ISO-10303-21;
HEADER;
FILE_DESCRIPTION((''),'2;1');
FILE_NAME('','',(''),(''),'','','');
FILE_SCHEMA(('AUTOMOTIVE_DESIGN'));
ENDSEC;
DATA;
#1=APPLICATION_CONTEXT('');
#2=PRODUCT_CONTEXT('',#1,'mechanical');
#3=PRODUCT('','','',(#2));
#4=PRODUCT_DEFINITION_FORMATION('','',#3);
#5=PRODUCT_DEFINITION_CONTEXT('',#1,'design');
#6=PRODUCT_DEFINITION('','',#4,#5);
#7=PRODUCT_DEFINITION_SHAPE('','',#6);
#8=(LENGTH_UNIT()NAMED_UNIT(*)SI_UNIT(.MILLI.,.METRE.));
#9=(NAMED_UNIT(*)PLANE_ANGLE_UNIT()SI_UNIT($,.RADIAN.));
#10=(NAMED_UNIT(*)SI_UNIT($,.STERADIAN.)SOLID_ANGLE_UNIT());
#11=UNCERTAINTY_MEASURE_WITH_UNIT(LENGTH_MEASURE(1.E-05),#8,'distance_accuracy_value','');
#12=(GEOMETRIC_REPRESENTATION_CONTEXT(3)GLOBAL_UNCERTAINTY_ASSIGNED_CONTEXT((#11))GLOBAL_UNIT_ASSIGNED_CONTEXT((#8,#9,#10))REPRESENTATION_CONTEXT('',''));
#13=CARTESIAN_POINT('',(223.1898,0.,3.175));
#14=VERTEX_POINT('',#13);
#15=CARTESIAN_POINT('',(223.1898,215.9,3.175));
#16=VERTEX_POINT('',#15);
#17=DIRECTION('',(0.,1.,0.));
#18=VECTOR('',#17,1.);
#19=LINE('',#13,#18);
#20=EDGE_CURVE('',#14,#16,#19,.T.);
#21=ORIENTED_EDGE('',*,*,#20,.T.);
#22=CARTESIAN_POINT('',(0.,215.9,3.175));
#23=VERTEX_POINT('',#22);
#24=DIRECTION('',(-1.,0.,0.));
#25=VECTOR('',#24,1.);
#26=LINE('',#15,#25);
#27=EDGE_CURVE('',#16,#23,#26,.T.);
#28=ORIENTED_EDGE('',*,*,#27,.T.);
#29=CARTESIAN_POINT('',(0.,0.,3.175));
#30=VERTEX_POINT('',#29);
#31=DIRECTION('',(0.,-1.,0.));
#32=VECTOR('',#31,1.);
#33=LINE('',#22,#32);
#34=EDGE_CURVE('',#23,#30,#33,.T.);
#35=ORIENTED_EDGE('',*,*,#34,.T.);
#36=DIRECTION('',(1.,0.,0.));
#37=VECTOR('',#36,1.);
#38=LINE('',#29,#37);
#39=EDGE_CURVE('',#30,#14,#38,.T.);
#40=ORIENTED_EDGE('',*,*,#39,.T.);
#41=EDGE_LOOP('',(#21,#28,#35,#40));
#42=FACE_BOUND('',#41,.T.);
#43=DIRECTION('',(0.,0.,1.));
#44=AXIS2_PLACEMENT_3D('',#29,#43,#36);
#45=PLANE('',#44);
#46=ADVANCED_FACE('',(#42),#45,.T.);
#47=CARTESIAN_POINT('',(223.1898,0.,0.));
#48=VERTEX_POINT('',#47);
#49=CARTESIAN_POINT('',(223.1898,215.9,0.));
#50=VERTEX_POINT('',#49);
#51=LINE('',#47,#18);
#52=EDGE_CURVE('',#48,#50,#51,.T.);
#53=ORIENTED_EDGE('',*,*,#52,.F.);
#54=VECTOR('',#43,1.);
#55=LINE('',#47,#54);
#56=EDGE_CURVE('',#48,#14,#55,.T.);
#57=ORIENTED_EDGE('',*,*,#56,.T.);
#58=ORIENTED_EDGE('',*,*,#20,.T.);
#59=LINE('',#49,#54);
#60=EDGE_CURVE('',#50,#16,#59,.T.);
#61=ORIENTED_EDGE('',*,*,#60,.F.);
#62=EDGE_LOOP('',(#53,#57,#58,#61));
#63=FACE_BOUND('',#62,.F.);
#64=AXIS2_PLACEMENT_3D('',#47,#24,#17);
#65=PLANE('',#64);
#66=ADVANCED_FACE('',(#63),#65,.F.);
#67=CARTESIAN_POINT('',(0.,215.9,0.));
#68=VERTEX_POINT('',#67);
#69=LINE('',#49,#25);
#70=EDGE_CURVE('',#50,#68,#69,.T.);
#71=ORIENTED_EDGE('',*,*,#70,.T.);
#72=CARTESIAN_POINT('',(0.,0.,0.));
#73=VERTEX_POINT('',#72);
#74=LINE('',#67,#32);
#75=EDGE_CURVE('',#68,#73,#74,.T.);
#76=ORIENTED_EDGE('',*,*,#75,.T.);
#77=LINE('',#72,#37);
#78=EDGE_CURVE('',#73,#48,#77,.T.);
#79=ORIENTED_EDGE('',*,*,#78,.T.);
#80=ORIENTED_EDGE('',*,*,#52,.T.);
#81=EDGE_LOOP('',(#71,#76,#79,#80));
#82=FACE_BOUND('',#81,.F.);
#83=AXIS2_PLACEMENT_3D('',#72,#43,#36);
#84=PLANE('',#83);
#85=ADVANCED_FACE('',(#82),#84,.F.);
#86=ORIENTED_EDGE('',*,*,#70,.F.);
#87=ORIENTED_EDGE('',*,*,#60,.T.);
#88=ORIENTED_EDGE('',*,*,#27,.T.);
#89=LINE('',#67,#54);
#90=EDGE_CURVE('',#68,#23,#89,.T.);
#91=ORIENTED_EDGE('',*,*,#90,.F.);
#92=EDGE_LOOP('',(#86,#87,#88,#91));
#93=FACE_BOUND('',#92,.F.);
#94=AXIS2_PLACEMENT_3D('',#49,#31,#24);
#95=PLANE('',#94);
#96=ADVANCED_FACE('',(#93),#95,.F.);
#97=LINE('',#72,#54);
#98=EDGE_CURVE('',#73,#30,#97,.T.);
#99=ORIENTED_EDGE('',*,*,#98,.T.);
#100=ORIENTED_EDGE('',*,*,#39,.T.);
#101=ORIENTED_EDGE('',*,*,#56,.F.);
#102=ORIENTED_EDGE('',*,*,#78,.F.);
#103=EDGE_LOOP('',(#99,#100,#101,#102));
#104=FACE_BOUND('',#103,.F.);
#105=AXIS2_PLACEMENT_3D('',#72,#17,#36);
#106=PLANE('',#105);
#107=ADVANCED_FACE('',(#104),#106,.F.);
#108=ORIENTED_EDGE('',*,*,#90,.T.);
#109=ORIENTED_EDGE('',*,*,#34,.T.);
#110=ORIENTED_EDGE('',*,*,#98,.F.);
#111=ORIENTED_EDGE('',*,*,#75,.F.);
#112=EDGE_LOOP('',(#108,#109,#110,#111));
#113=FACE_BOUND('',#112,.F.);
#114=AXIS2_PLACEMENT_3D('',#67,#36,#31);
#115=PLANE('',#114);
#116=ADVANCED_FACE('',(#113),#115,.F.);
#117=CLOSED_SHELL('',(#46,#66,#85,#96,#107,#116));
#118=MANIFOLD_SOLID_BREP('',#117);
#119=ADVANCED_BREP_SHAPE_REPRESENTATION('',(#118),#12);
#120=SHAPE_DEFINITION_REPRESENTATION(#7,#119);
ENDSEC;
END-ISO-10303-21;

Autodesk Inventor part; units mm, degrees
ref_plane "YZ Plane" through (0, 0, 0) normal (1, 0, 0) x (0, 1, 0)
ref_plane "XZ Plane" through (0, 0, 0) normal (0, 1, 0) x (-1, 0, 0)
ref_plane "XY Plane" through (0, 0, 0) normal (0, 0, 1) x (1, 0, 0)
sketch "Sketch1" plane through (0, 0, 0) normal (0, 0, 1) x (1, 0, 0)
  line L0 (0, 0) -> (223.1898, 0)
  line L1 (223.1898, 0) -> (223.1898, 215.9)
  line L2 (223.1898, 215.9) -> (0, 215.9)
  line L3 (0, 215.9) -> (0, 0)
  dimension "d0" = 223.1898
  dimension "d1" = 215.9
extrude "Extrusion1" add sketch "Sketch1" along normal blind 3.175
properties part number "theplate"
